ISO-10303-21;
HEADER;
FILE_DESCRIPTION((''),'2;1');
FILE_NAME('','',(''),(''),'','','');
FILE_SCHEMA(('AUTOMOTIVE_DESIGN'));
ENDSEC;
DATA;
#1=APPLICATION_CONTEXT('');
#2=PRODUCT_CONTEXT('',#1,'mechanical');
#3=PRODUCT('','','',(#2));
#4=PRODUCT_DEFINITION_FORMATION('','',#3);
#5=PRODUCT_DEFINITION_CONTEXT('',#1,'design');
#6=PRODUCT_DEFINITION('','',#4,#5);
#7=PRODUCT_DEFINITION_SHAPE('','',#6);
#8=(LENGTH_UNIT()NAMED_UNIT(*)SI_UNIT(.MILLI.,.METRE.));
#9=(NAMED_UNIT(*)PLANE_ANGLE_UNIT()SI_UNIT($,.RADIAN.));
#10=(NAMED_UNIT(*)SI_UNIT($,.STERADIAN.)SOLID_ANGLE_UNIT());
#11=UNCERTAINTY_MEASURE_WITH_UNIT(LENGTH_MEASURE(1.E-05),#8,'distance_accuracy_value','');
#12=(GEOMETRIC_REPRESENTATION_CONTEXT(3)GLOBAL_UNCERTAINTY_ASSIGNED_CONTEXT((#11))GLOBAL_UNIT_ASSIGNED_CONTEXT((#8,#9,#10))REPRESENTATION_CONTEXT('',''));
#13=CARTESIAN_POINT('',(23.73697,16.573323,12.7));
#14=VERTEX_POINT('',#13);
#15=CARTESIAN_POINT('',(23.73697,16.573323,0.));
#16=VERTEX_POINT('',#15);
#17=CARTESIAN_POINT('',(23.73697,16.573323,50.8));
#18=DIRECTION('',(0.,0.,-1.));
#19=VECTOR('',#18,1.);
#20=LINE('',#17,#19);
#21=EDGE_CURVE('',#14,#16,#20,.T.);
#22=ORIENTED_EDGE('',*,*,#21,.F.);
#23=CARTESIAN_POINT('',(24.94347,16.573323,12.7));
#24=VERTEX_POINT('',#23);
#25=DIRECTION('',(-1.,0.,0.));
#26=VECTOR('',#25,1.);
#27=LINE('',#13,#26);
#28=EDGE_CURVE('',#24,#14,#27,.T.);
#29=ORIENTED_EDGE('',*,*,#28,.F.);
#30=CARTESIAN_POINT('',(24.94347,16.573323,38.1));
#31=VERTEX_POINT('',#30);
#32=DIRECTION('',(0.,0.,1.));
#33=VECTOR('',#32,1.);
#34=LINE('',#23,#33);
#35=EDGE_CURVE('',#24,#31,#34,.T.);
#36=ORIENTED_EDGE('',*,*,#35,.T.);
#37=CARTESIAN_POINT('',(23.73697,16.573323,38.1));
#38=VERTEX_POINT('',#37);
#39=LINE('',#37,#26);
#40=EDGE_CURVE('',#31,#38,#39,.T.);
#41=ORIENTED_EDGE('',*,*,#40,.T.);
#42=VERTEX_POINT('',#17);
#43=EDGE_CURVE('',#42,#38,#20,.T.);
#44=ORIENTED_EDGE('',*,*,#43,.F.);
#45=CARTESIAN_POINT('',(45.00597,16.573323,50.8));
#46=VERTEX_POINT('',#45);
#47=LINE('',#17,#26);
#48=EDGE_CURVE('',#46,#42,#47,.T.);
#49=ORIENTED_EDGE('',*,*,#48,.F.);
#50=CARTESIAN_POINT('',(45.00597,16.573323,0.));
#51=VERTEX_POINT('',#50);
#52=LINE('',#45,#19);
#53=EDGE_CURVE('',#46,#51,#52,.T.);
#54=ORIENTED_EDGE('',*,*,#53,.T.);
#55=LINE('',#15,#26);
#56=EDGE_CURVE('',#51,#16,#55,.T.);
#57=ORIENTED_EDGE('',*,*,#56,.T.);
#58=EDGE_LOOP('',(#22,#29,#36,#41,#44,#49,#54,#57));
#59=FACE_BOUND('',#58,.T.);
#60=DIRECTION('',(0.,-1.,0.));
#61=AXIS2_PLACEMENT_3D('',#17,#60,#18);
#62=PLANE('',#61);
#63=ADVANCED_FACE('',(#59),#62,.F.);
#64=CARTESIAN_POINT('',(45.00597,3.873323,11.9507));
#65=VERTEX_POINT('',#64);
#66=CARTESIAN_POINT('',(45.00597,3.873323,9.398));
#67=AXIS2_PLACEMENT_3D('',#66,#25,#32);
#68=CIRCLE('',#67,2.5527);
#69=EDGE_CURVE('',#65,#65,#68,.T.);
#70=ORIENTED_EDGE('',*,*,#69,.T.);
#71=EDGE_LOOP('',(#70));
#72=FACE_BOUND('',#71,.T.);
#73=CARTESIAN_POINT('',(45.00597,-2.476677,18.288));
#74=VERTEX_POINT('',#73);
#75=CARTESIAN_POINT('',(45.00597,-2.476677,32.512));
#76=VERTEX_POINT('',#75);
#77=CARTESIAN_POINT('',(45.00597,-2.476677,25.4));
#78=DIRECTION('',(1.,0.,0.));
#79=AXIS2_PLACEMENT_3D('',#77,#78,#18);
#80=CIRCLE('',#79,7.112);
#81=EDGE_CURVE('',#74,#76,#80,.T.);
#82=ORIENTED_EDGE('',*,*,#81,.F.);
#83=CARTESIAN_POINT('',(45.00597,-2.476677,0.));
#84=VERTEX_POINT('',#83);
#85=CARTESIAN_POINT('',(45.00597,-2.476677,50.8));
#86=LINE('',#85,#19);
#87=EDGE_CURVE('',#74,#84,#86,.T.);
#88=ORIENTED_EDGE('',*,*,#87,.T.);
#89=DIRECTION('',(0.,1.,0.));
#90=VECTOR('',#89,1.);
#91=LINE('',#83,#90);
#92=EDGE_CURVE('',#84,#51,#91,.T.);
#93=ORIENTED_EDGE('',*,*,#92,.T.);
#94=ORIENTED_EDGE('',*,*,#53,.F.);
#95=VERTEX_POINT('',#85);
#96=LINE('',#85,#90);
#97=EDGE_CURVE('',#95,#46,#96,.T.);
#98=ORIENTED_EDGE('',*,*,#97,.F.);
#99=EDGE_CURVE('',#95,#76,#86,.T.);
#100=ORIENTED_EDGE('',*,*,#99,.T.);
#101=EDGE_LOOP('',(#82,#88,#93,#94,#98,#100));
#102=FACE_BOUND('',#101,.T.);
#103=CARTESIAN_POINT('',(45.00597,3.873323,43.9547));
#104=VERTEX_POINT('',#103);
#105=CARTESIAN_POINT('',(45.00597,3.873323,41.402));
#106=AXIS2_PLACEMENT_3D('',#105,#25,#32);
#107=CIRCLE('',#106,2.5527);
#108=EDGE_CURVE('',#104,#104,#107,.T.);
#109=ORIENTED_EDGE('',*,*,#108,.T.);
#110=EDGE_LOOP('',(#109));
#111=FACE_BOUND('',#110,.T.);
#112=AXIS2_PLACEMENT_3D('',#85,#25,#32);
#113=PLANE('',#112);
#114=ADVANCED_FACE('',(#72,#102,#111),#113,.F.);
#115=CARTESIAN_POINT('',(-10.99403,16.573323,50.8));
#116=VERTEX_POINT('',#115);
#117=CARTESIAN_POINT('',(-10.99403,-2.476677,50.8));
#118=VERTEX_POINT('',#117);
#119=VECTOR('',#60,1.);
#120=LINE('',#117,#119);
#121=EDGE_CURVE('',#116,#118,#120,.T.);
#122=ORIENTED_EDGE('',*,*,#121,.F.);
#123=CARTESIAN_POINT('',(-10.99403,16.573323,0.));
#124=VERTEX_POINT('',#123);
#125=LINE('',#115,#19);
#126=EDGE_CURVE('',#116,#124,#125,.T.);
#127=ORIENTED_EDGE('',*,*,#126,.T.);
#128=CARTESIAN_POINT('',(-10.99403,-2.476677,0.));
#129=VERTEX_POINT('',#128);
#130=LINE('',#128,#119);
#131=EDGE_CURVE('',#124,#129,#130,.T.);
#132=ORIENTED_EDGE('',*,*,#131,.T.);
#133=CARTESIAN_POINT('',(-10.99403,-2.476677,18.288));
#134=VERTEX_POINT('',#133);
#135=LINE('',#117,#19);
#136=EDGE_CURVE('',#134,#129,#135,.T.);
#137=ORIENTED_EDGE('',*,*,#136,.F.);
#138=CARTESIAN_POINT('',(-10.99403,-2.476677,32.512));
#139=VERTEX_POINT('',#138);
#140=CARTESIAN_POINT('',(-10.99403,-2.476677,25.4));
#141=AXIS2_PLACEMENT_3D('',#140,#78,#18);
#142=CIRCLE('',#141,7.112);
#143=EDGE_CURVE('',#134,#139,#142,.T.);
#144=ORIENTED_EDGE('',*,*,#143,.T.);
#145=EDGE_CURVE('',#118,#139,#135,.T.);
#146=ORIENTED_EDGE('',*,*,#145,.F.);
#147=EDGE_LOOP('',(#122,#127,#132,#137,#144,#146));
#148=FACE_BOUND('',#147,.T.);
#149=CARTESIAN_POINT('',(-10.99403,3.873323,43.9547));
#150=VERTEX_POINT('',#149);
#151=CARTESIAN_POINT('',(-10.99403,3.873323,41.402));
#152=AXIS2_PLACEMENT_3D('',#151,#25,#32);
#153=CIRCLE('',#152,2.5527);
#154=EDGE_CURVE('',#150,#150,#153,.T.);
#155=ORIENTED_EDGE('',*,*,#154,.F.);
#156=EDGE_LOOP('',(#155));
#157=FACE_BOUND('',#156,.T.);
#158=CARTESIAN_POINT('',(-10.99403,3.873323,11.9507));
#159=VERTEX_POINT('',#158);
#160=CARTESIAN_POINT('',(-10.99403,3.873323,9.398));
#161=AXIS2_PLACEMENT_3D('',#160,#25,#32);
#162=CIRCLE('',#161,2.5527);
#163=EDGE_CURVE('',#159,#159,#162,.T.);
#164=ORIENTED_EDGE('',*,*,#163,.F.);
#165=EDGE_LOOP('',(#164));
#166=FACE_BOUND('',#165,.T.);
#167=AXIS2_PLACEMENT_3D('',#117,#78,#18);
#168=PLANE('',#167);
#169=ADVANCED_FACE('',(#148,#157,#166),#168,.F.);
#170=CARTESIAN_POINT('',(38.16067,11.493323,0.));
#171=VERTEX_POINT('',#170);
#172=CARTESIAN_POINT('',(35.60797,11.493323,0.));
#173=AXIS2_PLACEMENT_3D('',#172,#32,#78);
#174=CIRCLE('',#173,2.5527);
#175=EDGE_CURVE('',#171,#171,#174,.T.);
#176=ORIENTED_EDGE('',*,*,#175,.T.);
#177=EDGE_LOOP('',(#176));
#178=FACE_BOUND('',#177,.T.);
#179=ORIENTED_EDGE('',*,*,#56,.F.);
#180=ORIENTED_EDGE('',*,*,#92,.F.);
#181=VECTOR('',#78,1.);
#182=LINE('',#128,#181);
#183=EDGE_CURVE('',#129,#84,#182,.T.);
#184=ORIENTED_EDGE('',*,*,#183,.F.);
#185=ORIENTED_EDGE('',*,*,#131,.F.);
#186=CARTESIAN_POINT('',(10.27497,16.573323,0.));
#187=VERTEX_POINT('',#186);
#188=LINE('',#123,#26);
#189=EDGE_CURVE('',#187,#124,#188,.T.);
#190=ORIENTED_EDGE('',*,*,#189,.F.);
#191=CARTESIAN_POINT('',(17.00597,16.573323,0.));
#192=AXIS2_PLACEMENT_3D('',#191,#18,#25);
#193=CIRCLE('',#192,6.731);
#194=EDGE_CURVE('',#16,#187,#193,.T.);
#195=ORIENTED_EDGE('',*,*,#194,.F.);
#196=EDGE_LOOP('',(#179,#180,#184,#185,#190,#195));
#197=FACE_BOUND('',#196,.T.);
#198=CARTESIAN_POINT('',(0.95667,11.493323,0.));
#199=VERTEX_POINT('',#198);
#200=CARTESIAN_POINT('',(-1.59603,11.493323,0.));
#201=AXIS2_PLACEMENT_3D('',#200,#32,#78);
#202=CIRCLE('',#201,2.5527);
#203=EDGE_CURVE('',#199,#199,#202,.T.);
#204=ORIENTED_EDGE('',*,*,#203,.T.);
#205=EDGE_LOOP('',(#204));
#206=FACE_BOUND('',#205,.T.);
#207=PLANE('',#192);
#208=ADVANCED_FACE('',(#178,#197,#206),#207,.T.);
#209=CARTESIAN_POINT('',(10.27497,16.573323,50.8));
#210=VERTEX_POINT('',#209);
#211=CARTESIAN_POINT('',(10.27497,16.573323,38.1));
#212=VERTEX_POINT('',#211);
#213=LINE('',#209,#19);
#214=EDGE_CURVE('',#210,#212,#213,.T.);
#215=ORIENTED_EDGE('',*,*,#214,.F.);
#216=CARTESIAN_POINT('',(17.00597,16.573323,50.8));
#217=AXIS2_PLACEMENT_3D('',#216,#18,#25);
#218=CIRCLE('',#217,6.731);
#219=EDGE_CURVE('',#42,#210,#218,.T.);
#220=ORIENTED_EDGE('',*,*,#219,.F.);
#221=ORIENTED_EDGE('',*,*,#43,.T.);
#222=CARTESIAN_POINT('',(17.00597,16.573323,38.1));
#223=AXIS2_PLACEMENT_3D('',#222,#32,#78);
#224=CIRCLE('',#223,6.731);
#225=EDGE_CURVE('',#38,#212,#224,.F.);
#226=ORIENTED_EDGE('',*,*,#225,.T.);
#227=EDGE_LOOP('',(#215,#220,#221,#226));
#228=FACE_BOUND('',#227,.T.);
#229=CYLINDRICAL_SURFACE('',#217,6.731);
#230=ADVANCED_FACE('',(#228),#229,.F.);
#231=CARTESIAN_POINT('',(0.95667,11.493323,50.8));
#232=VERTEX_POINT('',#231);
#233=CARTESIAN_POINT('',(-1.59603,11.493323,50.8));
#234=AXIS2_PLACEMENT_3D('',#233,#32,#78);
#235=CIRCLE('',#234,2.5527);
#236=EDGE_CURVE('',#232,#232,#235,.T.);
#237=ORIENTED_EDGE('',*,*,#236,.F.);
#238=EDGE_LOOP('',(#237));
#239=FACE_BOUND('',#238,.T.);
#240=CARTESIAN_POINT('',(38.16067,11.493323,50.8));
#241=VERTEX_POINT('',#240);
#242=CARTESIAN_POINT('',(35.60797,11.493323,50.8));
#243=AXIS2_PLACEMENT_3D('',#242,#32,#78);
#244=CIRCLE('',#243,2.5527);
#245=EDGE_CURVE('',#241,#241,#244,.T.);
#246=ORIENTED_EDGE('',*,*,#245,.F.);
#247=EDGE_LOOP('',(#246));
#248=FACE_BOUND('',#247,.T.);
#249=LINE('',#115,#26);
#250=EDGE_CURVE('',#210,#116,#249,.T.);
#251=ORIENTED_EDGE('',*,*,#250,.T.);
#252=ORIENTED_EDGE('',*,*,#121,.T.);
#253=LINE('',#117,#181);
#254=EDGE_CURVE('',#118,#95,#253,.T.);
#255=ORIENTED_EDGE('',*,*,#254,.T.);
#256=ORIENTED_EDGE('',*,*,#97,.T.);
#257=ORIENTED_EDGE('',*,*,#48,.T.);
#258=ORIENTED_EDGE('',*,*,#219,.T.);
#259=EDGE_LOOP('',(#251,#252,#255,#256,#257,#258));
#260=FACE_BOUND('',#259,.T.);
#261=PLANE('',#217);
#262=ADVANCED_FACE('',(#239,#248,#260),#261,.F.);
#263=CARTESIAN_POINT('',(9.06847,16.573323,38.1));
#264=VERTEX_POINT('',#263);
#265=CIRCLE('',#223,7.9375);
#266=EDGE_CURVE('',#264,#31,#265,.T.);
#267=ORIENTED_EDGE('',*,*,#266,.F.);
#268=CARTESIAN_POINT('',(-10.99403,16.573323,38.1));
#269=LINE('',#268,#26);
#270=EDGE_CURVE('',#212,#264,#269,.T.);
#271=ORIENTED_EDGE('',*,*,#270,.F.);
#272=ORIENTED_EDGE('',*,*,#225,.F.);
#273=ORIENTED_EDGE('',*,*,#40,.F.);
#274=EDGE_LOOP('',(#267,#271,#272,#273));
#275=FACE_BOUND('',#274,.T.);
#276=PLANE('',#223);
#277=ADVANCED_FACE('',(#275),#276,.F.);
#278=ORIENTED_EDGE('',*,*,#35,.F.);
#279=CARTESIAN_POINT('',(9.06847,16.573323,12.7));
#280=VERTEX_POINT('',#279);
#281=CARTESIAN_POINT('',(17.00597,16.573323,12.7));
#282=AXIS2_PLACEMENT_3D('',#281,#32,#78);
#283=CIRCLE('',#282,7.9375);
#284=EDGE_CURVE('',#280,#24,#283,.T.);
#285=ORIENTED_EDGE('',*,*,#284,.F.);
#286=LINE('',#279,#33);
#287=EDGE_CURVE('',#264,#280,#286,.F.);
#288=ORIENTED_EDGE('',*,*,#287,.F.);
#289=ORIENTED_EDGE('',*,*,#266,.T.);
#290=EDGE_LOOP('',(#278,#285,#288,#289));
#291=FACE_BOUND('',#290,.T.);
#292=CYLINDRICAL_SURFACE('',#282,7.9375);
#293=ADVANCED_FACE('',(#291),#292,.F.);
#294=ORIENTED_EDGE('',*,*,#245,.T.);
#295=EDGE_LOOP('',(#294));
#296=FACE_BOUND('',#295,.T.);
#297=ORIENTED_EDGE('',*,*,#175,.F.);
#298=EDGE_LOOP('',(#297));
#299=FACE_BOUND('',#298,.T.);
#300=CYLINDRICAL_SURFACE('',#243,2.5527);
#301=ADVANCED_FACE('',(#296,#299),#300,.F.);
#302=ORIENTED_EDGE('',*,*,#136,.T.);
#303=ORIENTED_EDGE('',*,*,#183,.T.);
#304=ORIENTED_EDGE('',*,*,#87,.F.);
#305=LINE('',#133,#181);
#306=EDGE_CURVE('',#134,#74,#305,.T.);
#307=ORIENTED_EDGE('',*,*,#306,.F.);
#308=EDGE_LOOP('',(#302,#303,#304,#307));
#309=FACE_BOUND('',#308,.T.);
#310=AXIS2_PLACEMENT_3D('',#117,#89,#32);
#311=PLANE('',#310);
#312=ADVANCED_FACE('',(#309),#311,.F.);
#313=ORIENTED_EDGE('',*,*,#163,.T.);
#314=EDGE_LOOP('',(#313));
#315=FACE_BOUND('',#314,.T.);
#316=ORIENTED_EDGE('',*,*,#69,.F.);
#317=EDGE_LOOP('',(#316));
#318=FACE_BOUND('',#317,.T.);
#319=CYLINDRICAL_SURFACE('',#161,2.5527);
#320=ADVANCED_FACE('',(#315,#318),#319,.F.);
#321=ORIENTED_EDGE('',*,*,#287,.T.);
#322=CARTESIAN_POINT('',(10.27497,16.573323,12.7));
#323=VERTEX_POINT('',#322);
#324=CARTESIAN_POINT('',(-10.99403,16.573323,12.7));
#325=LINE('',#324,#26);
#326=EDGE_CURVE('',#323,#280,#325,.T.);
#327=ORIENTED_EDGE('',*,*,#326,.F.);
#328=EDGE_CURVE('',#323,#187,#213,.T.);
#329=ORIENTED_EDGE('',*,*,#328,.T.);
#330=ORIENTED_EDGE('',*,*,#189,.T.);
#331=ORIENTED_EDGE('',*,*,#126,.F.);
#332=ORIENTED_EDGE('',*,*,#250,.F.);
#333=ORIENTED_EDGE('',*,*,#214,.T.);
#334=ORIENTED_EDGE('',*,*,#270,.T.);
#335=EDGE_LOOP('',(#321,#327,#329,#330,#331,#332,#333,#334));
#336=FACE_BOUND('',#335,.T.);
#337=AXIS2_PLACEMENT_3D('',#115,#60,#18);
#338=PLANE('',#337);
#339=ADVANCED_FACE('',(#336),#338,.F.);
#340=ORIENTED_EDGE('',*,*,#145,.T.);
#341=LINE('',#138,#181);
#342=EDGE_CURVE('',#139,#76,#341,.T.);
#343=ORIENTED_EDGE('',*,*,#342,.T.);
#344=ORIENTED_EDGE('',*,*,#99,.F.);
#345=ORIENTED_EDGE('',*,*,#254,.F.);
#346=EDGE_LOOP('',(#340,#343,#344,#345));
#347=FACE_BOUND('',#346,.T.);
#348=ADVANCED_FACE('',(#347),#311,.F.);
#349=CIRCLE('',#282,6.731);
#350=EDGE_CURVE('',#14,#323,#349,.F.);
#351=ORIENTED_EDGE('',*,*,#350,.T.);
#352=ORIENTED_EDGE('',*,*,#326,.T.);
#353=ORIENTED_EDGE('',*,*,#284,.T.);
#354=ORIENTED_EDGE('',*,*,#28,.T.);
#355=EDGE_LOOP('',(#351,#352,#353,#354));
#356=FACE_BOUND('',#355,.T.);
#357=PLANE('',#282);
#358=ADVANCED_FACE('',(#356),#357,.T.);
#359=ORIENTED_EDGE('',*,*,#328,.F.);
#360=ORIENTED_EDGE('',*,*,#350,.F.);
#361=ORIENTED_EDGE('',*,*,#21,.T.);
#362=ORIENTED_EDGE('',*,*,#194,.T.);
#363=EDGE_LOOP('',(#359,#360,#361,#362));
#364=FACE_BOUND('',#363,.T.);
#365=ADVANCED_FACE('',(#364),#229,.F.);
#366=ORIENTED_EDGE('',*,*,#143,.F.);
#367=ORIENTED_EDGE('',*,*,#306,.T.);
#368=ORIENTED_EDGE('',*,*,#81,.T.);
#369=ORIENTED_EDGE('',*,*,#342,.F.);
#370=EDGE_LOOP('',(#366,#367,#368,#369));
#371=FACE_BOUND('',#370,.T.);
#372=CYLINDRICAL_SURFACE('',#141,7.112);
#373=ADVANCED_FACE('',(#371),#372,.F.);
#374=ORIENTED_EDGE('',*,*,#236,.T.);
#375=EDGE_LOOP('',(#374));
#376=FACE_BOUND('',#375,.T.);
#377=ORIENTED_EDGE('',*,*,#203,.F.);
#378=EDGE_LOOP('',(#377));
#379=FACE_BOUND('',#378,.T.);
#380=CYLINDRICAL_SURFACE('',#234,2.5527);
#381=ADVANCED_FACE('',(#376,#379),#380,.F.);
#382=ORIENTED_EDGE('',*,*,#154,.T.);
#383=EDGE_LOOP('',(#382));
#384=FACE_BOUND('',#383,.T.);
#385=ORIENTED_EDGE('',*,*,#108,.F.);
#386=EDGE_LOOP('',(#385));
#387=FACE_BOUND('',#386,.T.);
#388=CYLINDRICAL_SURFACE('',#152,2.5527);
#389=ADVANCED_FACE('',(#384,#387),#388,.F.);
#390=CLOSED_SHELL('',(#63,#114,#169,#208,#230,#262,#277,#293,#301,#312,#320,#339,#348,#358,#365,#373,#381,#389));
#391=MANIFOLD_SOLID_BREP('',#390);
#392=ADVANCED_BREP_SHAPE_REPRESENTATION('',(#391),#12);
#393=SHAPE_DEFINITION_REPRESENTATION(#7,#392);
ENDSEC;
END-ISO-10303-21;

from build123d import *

# Parameters (mm, degrees)
BOSS_EXTRUDE1_DEPTH              = 50.8
SKETCH2_R                        = 7.9375
CUT_EXTRUDE1_DEPTH               = 12.7
F_10_CLEARANCE_HOLE1_D           = 5.1054
F_10_CLEARANCE_HOLE1_ON_FACE_2_D = 5.1054
CUT_EXTRUDE4_DEPTH               = 57


with BuildPart() as part:
    # Sketch1 → Boss-Extrude1 (new body)
    with BuildSketch(Plane.XY):
        with BuildLine():
            Line((23.736970149, 16.573322883), (45.005970149, 16.573322883))
            Line((45.005970149, 16.573322883), (45.005970149, -2.476677117))
            Line((45.005970149, -2.476677117), (-10.994029851, -2.476677117))
            Line((-10.994029851, -2.476677117), (-10.994029851, 16.573322883))
            Line((-10.994029851, 16.573322883), (10.274970149, 16.573322883))
            ThreePointArc((10.274970149, 16.573322883), (17.005970149, 9.842322883), (23.736970149, 16.573322883))
        make_face()
    extrude(amount=BOSS_EXTRUDE1_DEPTH)

    # Sketch2 → Cut-Extrude1 (cut, symmetric)
    with BuildSketch(Plane.XY.offset(25.4)):
        with Locations((17.005970149, 16.573322883)):
            Circle(SKETCH2_R)
    extrude(amount=CUT_EXTRUDE1_DEPTH, both=True, mode=Mode.SUBTRACT)

    # #10 Clearance Hole1 (through all)
    with Locations(Plane(origin=(-10.994029851, 3.873322883, 41.402), x_dir=(0, 0, -1), z_dir=(-1, 0, 0))):
        with Locations((0, 0), (32.004, 0)):
            Hole(F_10_CLEARANCE_HOLE1_D / 2)

    # #10 Clearance Hole1 on face 2 (through all)
    with Locations(Plane(origin=(-1.596029851, 11.493322883, 50.8), x_dir=(1, 0, 0), z_dir=(0, 0, 1))):
        with Locations((0, 0), (37.204, 0)):
            Hole(F_10_CLEARANCE_HOLE1_ON_FACE_2_D / 2)

    # Sketch9 → Cut-Extrude4 (cut, through all)
    with BuildSketch(Plane(origin=(45.005970149, 0, 0), x_dir=(0, 0, -1), z_dir=(1, 0, 0))):
        with BuildLine():
            Line((-32.512, -2.476677117), (-18.288, -2.476677117))
            ThreePointArc((-18.288, -2.476677117), (-25.4, 4.635322883), (-32.512, -2.476677117))
        make_face()
    extrude(amount=-CUT_EXTRUDE4_DEPTH, mode=Mode.SUBTRACT)


solid = part.part
